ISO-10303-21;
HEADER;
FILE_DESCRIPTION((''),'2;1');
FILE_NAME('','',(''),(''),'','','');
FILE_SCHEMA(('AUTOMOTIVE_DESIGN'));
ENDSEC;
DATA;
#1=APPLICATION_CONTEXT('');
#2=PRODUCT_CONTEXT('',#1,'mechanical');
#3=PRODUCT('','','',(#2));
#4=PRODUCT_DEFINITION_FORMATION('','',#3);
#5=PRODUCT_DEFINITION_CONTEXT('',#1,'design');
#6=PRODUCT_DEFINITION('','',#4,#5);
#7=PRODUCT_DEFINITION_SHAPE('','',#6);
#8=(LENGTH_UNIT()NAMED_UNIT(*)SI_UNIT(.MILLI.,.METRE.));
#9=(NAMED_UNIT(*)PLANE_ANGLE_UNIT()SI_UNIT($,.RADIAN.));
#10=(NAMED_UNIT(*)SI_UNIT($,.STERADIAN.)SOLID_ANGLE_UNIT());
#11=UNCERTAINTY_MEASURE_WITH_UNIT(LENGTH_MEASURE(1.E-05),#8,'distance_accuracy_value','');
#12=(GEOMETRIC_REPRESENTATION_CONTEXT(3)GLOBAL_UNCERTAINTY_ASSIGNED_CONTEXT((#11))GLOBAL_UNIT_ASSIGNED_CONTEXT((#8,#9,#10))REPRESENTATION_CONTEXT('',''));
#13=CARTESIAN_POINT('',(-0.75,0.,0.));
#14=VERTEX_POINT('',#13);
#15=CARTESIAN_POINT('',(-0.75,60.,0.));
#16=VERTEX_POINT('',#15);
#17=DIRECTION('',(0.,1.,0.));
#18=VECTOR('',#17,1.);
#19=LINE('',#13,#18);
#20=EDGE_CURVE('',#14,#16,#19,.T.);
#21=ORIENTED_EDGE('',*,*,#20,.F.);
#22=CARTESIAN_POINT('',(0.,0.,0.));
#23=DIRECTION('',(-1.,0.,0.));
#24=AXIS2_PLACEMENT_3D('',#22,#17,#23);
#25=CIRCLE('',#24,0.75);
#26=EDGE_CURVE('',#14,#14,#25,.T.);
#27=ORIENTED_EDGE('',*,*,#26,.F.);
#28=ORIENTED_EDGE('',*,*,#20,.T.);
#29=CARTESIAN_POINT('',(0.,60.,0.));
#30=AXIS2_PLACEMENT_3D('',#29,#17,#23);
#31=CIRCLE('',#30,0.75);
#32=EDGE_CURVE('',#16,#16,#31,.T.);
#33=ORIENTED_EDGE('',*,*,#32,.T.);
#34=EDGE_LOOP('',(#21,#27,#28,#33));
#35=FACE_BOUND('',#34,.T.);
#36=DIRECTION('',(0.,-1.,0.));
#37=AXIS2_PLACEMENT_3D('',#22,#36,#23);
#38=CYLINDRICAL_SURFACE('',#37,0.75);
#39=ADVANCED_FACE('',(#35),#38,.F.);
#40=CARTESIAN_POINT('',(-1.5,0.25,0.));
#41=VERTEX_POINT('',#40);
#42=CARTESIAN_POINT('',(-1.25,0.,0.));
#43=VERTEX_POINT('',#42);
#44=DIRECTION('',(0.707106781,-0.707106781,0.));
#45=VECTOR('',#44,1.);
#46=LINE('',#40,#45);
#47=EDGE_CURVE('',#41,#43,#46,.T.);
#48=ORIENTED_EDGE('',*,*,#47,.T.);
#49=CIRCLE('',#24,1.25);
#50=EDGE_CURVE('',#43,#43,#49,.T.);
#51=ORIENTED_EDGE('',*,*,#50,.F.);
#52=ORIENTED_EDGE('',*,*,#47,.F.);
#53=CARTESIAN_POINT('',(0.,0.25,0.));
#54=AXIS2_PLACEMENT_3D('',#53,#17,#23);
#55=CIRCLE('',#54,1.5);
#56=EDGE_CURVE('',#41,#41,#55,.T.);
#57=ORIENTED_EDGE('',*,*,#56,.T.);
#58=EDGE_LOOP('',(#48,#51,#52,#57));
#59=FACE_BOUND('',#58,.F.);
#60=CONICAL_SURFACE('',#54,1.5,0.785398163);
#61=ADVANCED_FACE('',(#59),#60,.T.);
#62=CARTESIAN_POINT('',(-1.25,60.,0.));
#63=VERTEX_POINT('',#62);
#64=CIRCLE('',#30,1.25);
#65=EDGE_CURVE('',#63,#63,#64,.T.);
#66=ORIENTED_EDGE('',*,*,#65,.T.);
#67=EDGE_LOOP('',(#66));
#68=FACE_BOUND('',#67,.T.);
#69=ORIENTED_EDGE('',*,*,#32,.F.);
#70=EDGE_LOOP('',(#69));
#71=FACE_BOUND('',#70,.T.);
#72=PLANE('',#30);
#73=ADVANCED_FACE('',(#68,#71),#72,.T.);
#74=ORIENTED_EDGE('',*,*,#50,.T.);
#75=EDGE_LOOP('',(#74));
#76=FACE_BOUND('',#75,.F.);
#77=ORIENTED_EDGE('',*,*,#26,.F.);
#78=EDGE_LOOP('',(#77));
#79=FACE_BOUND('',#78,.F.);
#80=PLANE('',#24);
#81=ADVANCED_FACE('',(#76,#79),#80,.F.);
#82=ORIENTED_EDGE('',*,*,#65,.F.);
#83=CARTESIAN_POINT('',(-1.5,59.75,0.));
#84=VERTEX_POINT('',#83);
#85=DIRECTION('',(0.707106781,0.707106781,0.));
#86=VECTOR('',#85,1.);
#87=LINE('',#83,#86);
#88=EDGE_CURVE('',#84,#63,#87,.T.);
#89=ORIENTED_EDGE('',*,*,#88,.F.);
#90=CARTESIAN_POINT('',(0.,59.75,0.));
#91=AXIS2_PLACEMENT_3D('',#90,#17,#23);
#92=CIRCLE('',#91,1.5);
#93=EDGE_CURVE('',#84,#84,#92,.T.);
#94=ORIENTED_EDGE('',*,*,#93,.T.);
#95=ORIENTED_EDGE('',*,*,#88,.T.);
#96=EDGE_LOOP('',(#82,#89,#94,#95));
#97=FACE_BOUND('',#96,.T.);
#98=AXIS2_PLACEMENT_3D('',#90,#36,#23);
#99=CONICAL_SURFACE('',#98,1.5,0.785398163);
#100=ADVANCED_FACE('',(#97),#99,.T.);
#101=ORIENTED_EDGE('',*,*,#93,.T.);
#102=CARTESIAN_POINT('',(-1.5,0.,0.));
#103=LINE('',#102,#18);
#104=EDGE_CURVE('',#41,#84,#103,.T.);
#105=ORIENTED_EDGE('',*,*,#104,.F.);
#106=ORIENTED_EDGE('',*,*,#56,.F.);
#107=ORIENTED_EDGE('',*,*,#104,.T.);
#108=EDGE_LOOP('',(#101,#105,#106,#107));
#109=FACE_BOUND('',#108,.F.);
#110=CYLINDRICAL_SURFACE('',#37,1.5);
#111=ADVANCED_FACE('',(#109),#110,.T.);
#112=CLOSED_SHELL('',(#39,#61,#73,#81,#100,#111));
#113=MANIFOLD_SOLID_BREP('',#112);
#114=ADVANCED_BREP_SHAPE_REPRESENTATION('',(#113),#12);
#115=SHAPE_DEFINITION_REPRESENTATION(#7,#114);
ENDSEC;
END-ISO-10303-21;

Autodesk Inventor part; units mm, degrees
ref_plane "YZ Plane" through (0, 0, 0) normal (1, 0, 0) x (0, 1, 0)
ref_plane "XZ Plane" through (0, 0, 0) normal (0, 1, 0) x (-1, 0, 0)
ref_plane "XY Plane" through (0, 0, 0) normal (0, 0, 1) x (1, 0, 0)
sketch "Sketch1" plane through (0, 0, 0) normal (0, 1, 0) x (-1, 0, 0)
  circle A0 centre (0, 0) radius 1.5
  circle A1 centre (0, 0) radius 0.75
  dimension "d0" = 3
  dimension "d1" = 1.5
extrude "Extrusion1" add sketch "Sketch1" along normal blind 60
chamfer "Chamfer1" distance 0.25 angle 45 2 edges at (1.5, 60, 0) (1.5, 0, 0)
properties part number "pin_3_60"
